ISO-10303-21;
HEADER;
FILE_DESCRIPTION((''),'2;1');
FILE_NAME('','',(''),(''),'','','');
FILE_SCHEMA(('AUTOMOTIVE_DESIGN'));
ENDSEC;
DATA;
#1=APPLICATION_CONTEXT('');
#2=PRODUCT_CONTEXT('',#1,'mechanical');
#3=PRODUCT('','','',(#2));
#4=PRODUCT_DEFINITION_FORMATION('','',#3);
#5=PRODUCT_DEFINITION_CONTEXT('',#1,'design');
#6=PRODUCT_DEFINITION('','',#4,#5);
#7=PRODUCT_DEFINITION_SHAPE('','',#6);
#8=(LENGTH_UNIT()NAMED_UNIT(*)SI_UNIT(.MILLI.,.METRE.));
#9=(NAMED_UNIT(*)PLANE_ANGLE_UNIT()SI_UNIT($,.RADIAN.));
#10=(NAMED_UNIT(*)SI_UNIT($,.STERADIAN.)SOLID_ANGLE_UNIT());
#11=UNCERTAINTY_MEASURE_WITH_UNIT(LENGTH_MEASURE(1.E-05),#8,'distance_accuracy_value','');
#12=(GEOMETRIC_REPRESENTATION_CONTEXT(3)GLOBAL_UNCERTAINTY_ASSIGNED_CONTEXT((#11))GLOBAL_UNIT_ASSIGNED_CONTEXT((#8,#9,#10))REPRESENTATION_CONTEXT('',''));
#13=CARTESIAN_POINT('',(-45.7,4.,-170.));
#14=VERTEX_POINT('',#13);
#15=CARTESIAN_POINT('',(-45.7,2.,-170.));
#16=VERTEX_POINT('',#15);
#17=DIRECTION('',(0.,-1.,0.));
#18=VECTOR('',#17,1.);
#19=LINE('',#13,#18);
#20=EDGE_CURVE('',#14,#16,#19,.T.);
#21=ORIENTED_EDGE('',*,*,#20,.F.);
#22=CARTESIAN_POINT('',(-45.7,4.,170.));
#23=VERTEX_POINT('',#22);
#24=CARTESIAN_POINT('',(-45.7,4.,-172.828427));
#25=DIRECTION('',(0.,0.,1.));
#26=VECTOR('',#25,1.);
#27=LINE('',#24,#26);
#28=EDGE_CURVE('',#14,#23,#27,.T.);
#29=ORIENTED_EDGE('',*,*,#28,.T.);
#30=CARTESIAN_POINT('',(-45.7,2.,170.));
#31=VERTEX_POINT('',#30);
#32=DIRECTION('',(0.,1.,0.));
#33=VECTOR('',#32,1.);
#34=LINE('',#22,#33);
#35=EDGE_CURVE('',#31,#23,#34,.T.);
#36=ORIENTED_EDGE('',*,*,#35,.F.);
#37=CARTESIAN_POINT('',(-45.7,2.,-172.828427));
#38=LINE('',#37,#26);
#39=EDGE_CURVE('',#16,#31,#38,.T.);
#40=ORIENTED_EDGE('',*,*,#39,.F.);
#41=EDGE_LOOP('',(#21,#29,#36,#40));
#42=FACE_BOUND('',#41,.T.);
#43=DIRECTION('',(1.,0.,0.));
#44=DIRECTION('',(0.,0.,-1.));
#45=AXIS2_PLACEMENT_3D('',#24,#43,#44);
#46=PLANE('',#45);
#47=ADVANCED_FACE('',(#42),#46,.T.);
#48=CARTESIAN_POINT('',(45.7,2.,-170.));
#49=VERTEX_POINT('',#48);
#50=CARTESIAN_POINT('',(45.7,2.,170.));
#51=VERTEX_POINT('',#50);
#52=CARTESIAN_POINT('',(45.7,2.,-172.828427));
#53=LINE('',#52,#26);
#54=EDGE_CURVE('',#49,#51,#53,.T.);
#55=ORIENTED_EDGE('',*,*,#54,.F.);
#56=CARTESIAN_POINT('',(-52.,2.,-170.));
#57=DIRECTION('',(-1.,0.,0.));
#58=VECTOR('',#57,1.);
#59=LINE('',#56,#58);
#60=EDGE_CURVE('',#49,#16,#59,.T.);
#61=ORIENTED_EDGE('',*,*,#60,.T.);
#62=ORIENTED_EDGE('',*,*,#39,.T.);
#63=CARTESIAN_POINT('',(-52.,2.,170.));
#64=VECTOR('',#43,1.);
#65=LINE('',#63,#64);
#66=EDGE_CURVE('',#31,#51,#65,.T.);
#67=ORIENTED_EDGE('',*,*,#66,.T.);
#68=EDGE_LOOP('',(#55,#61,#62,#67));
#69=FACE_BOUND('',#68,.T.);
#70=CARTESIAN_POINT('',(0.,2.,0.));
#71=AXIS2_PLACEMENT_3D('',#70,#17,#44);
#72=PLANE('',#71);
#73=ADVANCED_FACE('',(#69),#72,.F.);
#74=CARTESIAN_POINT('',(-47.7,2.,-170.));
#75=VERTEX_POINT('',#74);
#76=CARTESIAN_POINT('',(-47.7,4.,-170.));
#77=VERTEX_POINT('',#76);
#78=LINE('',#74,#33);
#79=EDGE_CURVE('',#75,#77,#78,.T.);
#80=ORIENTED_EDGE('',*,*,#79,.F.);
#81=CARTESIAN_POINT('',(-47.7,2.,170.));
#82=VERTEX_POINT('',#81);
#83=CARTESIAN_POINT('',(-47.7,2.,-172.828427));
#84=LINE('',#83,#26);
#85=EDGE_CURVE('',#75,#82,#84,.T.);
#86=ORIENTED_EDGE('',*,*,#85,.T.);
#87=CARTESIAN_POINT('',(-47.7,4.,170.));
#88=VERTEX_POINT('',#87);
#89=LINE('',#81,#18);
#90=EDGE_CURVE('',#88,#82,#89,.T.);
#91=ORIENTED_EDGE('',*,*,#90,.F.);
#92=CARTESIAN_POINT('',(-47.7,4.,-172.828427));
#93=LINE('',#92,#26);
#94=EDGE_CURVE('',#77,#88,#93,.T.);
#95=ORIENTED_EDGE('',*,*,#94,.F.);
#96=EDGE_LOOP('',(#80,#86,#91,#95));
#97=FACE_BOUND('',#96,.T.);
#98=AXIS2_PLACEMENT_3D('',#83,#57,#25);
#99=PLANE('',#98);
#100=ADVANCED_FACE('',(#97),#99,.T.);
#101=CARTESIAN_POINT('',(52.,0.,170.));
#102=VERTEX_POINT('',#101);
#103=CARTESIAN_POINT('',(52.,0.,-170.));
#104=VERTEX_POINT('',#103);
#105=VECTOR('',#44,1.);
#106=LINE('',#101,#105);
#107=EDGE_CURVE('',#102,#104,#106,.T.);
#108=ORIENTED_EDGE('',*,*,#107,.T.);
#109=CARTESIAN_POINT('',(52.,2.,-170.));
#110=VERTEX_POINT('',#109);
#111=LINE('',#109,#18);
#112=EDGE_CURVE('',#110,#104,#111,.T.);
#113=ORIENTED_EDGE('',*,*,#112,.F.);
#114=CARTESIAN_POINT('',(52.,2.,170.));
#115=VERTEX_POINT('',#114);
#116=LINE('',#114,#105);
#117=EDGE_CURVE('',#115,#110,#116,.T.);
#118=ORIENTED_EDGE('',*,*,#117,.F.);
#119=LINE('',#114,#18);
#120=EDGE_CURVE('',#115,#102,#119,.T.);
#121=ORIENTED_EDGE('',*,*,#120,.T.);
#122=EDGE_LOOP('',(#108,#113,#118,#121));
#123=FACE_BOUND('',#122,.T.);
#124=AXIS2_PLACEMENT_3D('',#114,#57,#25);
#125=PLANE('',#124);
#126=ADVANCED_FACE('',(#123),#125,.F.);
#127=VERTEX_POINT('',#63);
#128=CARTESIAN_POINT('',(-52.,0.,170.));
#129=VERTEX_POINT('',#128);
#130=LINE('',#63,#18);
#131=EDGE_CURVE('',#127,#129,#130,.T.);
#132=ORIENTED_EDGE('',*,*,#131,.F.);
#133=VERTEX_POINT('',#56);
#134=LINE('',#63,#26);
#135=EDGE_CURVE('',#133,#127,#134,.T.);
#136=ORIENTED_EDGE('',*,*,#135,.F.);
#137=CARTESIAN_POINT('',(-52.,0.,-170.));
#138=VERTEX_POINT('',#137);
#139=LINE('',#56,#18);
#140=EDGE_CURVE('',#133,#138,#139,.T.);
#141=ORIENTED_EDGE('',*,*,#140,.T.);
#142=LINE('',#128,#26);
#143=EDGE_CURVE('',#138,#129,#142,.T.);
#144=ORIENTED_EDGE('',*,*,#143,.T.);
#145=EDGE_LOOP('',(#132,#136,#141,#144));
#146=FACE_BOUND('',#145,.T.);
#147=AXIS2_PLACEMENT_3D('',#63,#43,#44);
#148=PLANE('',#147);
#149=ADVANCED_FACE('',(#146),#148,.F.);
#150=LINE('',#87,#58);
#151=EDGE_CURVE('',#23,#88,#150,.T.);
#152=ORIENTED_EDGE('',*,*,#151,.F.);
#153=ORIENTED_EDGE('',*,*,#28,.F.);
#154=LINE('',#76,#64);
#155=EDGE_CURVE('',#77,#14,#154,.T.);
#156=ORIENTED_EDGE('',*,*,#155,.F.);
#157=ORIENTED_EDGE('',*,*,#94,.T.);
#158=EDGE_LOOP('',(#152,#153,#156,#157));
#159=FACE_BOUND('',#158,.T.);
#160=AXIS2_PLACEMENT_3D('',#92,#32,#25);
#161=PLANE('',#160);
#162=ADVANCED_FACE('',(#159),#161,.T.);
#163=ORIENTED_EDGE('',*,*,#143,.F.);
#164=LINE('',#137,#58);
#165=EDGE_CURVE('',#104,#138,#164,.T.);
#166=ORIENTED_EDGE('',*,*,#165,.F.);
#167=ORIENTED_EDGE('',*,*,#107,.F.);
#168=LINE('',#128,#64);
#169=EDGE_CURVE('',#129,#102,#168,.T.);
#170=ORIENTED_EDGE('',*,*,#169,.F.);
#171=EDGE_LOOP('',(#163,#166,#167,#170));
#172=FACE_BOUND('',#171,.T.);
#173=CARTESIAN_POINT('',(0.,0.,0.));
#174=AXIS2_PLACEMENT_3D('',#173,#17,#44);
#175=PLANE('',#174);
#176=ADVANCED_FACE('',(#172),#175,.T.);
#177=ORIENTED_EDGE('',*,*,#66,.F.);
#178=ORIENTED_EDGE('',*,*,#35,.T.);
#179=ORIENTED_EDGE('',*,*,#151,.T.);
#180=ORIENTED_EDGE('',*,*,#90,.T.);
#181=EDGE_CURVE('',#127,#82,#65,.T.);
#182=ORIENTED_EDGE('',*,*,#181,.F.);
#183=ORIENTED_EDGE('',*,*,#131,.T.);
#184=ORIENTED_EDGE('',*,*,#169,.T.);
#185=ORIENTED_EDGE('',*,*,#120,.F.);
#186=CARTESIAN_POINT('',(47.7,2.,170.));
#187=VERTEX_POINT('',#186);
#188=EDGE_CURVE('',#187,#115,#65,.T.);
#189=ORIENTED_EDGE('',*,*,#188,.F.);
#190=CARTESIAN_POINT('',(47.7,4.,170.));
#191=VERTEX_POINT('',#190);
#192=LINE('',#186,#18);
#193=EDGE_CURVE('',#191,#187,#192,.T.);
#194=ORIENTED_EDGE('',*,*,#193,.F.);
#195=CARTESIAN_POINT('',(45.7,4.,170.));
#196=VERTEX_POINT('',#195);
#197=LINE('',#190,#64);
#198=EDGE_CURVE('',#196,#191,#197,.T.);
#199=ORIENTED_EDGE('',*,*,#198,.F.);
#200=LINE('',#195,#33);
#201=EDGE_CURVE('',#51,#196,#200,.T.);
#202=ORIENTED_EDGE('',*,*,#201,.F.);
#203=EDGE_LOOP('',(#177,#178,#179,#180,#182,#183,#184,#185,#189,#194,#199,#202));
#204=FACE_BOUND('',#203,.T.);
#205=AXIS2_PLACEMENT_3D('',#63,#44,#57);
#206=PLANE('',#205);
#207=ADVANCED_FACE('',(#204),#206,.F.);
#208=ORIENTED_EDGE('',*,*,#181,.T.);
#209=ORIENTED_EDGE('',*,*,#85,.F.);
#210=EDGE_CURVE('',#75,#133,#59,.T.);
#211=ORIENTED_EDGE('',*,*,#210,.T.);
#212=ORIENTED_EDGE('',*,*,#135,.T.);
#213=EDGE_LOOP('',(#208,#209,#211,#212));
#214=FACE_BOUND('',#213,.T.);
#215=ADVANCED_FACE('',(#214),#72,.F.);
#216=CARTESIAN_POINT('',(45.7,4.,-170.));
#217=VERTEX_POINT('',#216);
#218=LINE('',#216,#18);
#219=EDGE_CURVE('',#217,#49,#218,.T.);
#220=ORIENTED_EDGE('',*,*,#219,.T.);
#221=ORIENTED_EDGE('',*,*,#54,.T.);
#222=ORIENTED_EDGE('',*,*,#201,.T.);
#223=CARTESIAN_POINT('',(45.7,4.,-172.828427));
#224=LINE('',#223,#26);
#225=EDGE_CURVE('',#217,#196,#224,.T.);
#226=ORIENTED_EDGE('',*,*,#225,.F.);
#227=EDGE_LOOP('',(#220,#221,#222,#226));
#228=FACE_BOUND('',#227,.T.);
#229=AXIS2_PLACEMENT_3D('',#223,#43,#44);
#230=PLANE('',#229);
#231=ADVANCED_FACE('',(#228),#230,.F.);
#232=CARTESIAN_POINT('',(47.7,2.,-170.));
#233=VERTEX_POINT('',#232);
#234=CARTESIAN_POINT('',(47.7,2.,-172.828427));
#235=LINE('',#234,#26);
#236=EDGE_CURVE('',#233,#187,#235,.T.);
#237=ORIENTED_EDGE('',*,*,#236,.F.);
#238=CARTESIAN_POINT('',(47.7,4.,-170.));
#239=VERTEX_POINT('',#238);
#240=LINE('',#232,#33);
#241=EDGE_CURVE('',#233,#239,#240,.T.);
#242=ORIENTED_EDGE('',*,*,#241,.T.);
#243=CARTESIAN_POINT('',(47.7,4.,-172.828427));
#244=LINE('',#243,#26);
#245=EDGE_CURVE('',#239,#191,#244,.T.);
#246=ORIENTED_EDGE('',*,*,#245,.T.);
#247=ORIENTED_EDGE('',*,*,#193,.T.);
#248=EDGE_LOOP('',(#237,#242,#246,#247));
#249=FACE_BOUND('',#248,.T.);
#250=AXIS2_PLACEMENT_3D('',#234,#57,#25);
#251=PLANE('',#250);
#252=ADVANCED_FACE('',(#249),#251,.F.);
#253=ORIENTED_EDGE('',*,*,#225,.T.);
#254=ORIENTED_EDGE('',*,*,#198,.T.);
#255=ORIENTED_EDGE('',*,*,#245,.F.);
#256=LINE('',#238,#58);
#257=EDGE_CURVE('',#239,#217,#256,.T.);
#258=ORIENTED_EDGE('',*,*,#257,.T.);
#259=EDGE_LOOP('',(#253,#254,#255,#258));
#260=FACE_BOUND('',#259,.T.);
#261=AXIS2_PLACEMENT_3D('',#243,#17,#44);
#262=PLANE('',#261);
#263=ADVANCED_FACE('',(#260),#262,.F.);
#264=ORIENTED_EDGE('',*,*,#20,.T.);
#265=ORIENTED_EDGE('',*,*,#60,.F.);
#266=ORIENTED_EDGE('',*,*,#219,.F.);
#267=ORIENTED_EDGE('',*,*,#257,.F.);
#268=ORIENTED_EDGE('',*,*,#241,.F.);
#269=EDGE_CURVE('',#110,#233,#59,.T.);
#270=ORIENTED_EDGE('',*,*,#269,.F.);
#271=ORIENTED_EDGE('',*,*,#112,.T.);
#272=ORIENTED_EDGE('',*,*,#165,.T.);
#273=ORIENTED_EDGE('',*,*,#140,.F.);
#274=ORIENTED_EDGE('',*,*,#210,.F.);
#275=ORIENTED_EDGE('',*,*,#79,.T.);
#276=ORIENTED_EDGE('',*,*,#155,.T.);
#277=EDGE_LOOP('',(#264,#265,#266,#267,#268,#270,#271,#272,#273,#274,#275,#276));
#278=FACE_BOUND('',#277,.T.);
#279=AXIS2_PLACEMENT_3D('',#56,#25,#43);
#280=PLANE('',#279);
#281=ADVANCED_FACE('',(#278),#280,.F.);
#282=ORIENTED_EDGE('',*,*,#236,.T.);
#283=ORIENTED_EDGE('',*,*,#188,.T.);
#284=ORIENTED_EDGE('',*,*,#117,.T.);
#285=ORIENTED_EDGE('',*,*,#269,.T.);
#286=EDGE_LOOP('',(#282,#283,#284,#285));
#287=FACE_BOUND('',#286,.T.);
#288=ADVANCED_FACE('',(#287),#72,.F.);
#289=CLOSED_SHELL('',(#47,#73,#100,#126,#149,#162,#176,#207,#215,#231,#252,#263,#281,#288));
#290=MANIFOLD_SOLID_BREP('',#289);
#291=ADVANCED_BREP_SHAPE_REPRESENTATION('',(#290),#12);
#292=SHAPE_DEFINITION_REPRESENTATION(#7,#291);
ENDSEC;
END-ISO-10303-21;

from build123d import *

# Parameters (mm, degrees)
SKETCH_1_W      = 104
SKETCH_1_H      = 340
EXTRUDE_1_DEPTH = 2
SKETCH_2_W      = 2
SKETCH_2_H      = 2
EXTRUDE_2_DEPTH = 340


with BuildPart() as part:
    # Эскиз1 → Бобышка-Вытянуть1 (new body)
    with BuildSketch(Plane(origin=(0, 0, 0), x_dir=(1, 0, 0), z_dir=(0, 1, 0))):
        Rectangle(SKETCH_1_W, SKETCH_1_H)
    extrude(amount=EXTRUDE_1_DEPTH)

    # Эскиз2 → Бобышка-Вытянуть2 (add)
    with BuildSketch(Plane.XY.offset(170)):
        with Locations((-46.7, 3)):
            Rectangle(SKETCH_2_W, SKETCH_2_H)
    extrude_2 = extrude(amount=-EXTRUDE_2_DEPTH)

    # Зеркальное отражение1: Бобышка-Вытянуть2 across plane
    add(extrude_2.mirror(Plane(origin=(0, 0, 0), x_dir=(0, 0, 1), z_dir=(1, 0, 0))))


solid = part.part
